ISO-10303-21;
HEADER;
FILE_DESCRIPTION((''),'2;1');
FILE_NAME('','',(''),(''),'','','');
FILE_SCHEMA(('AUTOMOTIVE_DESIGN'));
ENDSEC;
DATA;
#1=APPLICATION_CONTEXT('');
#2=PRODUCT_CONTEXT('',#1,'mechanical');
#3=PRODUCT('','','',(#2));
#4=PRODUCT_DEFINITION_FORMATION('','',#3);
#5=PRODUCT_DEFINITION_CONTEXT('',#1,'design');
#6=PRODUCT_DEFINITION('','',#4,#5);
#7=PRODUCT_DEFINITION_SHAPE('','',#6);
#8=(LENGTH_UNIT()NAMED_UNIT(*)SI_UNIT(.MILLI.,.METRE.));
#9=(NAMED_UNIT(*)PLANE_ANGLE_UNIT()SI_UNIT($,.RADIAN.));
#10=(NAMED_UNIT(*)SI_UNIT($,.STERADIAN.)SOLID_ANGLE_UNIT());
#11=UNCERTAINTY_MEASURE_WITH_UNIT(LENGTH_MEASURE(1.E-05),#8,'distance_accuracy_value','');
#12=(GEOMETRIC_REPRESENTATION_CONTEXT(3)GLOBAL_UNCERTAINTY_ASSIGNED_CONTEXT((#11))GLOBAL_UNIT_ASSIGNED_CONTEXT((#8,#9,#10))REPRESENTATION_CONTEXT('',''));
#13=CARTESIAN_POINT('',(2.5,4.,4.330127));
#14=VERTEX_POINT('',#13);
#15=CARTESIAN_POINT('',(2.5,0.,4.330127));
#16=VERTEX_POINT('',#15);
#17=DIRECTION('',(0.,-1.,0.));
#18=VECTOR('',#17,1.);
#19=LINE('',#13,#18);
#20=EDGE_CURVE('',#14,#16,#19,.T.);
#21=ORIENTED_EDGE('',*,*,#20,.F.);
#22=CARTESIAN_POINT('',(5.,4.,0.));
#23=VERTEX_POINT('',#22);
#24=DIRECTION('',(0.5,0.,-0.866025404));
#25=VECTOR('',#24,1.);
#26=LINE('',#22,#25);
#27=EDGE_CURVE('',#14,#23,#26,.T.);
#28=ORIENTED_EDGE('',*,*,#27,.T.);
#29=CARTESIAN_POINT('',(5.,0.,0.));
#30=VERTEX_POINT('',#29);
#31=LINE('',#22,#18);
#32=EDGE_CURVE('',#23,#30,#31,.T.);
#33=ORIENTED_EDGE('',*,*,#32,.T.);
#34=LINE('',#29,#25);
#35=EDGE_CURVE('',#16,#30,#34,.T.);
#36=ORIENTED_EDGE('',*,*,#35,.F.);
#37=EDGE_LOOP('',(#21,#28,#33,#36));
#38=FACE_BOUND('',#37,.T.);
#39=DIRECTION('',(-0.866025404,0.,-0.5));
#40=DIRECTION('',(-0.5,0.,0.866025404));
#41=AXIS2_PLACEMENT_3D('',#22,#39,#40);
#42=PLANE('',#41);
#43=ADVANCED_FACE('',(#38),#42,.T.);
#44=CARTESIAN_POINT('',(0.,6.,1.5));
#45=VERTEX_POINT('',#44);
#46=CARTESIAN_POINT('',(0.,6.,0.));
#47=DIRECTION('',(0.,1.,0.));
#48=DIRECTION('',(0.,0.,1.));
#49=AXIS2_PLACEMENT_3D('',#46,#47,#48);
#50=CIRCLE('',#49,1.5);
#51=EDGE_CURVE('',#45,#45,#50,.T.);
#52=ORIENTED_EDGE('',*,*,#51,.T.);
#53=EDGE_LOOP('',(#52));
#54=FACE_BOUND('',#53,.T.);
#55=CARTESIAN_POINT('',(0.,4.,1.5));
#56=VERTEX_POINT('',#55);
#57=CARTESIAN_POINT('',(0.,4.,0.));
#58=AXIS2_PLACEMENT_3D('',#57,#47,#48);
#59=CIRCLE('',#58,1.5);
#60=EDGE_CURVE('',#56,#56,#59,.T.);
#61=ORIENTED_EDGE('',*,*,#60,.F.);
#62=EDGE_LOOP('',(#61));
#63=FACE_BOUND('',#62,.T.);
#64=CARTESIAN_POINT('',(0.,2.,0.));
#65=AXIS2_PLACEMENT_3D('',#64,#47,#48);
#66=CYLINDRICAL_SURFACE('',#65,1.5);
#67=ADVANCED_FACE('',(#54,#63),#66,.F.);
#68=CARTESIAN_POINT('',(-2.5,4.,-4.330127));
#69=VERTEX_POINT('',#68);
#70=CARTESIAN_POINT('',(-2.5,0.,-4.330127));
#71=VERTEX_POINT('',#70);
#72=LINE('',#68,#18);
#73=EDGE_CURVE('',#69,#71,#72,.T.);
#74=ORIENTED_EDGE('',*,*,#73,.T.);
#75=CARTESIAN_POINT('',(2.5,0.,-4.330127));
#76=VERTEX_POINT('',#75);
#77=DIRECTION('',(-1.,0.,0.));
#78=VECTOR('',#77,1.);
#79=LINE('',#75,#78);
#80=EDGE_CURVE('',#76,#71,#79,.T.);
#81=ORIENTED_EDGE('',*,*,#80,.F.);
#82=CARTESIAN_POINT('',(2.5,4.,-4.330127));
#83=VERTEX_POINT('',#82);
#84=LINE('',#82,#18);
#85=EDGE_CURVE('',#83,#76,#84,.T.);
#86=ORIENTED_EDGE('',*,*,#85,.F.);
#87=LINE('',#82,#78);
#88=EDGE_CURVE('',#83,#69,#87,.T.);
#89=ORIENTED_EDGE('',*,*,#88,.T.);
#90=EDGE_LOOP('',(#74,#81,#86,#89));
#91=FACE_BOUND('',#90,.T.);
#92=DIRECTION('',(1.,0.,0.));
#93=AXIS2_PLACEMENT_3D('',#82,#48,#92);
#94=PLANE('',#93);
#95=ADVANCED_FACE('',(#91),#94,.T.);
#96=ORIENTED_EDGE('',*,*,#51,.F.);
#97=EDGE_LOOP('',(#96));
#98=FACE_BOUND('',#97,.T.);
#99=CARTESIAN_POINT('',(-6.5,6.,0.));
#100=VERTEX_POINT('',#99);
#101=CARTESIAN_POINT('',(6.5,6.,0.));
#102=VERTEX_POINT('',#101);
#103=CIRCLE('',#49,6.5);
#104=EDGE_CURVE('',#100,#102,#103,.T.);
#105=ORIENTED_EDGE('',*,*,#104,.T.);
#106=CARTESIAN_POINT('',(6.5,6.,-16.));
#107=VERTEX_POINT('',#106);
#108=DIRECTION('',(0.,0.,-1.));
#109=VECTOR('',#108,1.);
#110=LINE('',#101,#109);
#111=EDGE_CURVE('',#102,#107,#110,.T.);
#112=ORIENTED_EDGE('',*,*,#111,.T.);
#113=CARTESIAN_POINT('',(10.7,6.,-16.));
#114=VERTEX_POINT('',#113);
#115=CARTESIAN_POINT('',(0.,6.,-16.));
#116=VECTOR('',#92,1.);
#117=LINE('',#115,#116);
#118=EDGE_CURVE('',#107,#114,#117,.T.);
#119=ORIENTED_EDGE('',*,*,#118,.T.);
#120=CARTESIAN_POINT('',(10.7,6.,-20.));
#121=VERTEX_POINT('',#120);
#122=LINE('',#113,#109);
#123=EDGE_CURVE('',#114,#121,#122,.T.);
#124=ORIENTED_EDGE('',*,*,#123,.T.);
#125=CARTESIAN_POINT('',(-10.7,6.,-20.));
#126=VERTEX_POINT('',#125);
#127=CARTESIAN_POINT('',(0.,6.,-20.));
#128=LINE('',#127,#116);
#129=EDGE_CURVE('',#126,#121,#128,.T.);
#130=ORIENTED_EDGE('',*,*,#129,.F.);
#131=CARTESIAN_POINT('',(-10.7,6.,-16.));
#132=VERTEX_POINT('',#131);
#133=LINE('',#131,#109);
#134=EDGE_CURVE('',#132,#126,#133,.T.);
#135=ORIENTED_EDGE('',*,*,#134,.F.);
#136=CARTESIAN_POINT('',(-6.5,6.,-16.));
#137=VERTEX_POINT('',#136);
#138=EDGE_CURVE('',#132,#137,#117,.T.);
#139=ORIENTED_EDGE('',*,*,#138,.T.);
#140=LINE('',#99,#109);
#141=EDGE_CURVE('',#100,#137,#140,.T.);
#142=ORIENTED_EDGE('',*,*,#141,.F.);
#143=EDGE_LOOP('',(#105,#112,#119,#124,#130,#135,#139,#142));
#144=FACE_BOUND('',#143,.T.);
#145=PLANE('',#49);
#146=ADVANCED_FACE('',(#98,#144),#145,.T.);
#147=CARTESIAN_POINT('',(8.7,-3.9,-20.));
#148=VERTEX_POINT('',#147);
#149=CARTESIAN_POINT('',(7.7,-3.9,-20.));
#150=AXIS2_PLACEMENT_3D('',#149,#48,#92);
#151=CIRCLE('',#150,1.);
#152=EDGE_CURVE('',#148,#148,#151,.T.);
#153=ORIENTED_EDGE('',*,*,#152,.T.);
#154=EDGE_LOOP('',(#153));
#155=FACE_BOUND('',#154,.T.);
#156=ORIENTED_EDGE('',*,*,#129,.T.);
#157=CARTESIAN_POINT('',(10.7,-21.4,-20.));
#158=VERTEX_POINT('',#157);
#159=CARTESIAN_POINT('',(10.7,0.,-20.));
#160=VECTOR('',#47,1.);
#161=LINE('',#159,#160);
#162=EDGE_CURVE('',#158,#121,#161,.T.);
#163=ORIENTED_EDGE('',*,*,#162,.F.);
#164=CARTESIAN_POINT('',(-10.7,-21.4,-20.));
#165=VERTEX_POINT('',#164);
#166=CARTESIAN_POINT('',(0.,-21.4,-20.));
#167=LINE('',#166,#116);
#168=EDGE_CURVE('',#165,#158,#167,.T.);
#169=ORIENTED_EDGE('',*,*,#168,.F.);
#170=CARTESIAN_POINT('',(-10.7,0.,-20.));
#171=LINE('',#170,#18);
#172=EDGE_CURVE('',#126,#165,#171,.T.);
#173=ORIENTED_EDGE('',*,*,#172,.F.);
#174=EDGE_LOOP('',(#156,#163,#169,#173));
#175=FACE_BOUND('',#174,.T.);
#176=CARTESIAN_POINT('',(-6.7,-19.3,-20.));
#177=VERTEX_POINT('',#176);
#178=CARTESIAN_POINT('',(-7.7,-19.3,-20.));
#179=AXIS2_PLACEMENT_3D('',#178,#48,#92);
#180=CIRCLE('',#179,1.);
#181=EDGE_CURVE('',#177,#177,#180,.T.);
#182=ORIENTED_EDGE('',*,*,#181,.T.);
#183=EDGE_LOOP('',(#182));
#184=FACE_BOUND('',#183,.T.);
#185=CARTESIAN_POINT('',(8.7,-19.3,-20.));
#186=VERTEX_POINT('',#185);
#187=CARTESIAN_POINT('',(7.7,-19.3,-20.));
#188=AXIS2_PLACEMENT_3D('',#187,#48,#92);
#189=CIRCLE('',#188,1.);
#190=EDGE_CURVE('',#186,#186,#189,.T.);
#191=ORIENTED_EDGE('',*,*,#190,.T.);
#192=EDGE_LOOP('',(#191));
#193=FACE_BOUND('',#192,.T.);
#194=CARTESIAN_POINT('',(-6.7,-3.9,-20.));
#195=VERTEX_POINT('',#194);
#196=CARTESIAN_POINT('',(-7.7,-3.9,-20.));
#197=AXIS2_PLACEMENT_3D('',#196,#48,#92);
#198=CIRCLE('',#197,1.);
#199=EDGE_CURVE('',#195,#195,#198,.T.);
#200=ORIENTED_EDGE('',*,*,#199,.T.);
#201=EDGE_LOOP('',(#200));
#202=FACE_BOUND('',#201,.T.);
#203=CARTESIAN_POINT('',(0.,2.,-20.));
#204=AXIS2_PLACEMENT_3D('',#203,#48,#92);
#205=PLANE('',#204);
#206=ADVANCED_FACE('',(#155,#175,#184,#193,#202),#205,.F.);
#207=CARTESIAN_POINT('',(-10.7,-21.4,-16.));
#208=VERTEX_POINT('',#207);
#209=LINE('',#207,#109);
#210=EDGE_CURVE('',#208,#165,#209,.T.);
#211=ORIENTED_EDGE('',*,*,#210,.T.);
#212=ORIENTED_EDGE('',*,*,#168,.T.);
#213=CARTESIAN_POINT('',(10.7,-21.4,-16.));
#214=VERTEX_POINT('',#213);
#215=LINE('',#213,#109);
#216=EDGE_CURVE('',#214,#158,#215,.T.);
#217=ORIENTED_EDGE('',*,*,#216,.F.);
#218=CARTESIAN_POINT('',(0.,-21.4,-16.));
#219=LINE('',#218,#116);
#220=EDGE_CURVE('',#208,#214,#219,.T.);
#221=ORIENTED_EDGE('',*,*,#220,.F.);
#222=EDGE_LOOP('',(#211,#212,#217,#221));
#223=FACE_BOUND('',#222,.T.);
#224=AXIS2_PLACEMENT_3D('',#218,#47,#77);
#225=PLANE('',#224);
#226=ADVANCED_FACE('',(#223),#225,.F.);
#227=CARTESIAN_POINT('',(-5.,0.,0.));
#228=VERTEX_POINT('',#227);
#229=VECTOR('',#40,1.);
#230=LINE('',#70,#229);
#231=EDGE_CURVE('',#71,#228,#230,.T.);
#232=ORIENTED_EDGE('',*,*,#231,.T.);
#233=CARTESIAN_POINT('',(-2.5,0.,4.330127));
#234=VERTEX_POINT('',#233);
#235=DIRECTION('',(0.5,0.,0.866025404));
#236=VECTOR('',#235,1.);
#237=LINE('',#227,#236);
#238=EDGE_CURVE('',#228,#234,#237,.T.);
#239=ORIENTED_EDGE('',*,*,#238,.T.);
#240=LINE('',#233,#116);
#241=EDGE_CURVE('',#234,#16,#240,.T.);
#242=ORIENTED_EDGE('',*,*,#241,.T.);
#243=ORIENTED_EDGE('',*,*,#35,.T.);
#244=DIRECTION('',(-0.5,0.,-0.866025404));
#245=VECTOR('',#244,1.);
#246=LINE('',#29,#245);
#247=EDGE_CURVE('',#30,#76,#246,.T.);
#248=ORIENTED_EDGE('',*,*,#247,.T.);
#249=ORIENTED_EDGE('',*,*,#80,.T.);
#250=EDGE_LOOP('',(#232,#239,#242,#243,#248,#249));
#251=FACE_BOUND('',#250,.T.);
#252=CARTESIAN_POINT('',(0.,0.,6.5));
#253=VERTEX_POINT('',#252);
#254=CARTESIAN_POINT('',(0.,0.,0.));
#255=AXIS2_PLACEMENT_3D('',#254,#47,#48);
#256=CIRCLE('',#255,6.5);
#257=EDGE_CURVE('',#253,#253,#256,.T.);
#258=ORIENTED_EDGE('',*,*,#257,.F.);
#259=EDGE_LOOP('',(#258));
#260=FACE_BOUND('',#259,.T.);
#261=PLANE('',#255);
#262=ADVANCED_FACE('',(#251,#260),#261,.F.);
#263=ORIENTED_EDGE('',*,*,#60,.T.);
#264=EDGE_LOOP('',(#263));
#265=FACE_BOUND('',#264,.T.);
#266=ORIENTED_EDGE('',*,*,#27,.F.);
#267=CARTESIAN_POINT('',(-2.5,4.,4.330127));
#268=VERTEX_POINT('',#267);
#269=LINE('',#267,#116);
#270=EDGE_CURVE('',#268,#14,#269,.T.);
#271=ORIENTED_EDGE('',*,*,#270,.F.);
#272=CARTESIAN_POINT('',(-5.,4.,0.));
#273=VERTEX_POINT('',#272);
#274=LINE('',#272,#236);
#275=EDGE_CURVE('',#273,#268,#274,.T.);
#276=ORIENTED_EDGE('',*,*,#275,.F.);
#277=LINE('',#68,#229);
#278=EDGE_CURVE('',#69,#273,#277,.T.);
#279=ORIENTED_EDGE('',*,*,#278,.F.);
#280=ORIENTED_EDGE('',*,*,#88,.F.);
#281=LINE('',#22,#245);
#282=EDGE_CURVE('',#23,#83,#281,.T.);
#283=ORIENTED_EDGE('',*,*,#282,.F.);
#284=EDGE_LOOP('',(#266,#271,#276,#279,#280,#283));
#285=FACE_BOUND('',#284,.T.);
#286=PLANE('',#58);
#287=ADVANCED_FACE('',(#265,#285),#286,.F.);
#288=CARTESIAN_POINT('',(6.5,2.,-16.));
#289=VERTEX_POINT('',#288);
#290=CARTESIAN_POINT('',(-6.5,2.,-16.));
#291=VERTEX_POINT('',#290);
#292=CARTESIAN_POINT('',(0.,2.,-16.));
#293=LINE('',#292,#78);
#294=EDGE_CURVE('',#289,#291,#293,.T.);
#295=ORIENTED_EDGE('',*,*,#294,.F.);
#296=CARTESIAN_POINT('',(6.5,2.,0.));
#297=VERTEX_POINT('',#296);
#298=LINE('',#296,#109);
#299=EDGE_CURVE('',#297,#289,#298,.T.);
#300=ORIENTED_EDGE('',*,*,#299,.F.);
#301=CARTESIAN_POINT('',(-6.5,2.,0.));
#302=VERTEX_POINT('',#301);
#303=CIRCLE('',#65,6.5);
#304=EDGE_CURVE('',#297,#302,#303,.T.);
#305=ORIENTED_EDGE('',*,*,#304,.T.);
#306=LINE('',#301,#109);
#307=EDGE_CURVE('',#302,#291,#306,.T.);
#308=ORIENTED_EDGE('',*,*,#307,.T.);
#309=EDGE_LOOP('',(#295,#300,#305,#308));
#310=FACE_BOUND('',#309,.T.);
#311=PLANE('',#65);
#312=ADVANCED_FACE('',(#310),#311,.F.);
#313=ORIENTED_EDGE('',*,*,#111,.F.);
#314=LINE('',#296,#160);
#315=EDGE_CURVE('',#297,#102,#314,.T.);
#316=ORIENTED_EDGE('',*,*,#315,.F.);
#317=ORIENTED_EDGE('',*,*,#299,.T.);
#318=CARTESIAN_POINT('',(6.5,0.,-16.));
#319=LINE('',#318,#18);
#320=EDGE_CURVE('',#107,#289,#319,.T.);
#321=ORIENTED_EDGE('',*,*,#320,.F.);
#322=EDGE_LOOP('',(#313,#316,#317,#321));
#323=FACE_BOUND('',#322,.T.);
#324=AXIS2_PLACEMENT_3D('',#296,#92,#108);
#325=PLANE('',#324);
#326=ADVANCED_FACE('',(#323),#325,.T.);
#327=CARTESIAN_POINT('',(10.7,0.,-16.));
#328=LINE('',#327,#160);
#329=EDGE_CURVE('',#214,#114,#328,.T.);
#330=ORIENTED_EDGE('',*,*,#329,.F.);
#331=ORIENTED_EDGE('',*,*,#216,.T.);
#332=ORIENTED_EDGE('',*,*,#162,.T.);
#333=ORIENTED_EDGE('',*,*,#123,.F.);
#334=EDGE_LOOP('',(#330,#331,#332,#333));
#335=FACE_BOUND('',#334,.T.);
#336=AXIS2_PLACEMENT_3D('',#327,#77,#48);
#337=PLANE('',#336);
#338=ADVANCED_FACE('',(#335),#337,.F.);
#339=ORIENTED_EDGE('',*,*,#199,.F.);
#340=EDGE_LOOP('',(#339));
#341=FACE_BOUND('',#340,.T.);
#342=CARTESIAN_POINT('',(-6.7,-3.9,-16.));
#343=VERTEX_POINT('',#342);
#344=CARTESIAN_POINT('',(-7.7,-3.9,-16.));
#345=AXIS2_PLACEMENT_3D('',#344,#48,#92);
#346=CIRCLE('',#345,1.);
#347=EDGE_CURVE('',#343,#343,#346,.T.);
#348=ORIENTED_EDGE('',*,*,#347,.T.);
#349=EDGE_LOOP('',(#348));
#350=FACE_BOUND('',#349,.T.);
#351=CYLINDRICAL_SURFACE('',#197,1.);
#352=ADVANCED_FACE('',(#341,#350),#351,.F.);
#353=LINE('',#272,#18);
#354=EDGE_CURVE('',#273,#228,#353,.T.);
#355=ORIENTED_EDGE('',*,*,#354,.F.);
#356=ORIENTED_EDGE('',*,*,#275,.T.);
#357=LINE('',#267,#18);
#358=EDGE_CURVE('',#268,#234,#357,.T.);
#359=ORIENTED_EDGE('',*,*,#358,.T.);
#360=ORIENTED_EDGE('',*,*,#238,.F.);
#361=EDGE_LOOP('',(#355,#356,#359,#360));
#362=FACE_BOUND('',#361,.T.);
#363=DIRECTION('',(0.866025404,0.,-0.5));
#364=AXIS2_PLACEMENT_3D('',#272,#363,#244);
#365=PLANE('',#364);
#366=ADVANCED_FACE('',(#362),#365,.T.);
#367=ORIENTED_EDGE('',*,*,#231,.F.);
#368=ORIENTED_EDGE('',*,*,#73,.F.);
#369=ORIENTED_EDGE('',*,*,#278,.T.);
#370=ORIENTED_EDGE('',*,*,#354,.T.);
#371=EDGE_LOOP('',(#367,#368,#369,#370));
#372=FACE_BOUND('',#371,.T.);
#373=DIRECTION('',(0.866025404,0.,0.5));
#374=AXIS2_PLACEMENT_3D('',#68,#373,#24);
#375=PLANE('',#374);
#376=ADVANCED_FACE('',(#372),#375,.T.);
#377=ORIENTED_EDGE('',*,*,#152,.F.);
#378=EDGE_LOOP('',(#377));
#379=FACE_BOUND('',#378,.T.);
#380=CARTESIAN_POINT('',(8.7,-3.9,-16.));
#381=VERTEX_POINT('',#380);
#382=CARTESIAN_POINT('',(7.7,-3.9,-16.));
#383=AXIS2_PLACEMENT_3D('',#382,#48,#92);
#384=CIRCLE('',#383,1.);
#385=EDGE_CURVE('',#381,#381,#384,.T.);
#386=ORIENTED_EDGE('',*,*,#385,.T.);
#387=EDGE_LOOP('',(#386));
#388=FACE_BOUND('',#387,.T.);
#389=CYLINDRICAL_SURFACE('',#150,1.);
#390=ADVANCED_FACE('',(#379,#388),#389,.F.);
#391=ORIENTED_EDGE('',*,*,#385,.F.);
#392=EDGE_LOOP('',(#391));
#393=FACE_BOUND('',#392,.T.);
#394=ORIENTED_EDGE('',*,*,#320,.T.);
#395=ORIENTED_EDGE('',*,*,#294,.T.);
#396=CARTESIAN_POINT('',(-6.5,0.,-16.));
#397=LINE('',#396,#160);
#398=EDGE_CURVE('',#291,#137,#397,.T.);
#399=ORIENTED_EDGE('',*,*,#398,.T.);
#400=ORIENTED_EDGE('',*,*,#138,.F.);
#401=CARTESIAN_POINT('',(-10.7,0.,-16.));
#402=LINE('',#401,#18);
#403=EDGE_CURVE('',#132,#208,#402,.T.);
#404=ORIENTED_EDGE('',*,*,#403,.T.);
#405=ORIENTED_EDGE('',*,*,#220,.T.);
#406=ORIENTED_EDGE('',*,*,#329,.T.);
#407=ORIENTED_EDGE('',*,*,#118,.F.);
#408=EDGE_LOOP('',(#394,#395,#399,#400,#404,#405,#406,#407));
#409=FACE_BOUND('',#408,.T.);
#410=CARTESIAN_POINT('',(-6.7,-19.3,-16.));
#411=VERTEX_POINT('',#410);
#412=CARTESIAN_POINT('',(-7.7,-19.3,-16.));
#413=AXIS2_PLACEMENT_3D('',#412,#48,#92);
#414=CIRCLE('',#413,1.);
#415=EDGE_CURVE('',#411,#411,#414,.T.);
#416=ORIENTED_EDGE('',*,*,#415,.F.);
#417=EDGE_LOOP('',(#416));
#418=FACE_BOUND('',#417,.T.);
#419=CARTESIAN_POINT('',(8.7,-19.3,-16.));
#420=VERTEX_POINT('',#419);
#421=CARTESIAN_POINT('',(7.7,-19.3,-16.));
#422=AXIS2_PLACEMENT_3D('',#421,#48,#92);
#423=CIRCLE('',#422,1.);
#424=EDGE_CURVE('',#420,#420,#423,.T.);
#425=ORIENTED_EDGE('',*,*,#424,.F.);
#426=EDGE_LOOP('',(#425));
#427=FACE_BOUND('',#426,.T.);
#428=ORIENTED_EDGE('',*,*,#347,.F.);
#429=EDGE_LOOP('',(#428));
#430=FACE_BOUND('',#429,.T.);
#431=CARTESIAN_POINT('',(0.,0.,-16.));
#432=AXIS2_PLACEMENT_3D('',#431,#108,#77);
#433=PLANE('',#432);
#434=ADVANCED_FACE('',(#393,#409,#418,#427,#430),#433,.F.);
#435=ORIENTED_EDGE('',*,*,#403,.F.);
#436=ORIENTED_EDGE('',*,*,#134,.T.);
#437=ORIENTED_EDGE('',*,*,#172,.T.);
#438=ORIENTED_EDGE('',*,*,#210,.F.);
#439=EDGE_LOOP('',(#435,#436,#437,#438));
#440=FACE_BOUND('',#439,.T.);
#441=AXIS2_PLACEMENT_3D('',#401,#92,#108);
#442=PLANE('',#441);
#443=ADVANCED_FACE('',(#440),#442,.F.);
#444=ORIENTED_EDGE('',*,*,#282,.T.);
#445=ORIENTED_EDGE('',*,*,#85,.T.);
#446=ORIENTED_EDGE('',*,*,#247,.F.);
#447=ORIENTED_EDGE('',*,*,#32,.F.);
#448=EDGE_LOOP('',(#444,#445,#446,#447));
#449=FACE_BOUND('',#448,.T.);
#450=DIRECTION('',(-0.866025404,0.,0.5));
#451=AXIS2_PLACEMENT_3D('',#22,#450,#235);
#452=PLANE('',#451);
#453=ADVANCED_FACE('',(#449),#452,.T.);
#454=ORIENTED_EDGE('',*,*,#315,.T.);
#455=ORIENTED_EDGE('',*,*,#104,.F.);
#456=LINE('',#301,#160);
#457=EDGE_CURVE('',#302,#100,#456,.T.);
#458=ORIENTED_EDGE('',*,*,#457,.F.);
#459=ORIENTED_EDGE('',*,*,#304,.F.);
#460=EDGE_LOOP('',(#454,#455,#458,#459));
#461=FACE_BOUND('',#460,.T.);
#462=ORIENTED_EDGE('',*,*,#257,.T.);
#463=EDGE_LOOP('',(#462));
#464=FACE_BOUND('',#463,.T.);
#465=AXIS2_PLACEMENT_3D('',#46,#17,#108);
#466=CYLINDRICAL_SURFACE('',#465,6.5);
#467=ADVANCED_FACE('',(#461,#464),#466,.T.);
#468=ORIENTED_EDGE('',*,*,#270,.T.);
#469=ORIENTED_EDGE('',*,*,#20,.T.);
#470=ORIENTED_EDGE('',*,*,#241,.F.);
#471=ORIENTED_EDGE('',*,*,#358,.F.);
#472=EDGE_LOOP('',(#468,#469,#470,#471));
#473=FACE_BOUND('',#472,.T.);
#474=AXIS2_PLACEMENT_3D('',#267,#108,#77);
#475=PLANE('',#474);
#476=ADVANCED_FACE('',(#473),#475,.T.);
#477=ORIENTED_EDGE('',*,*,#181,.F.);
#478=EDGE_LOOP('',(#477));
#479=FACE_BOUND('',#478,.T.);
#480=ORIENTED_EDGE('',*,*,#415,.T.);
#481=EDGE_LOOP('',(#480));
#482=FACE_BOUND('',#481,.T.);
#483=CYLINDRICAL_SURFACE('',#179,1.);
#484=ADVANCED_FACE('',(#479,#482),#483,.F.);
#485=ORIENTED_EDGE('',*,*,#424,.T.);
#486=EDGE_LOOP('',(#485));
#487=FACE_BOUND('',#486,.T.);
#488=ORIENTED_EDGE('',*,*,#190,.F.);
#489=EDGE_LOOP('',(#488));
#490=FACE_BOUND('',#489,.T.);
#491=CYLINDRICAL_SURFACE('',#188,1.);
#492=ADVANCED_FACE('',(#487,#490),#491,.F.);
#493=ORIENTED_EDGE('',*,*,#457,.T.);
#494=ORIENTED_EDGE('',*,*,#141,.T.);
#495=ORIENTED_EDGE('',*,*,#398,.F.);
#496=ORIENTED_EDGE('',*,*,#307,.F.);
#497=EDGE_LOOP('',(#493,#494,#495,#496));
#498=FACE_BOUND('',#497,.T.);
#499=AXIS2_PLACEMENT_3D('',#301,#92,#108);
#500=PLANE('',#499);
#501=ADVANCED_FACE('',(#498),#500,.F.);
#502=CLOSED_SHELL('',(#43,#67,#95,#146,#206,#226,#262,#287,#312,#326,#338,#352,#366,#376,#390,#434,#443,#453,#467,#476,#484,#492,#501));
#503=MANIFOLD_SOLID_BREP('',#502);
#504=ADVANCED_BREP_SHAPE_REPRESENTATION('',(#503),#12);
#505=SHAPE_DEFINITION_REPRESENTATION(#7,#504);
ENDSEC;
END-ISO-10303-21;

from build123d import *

# Parameters (mm, degrees)
SKETCH_2_R           = 6.5
EXTRUDE_1_DEPTH      = 6
CUT_EXTRUDE_1_DEPTH  = 4
SKETCH_3_R           = 1.5
CUT_EXTRUDE_2_DEPTH  = 4
EXTRUDE_START        = -4
EXTRUDE_2_DEPTH      = 4
EXTRUDE_6_DEPTH      = 4
SKETCH_17_R          = 1
CUT_EXTRUDE_11_DEPTH = 4


with BuildPart() as part:
    # 草图2 → 凸台-拉伸1 (new body)
    with BuildSketch(Plane(origin=(0, 0, 0), x_dir=(1, 0, 0), z_dir=(0, 1, 0))):
        with Locations(Location((0, 0, 0), (0, 0, 270))):
            Circle(SKETCH_2_R)
    extrude(amount=EXTRUDE_1_DEPTH)

    # 草图1 → 切除-拉伸1 (cut)
    with BuildSketch(Plane(origin=(0, 0, 0), x_dir=(1, 0, 0), z_dir=(0, 1, 0))):
        Polygon((5, 0), (2.5, 4.330127019), (-2.5, 4.330127019), (-5, 0), (-2.5, -4.330127019), (2.5, -4.330127019), align=None)
    extrude(amount=CUT_EXTRUDE_1_DEPTH, mode=Mode.SUBTRACT)

    # 草图3 → 切除-拉伸2 (cut)
    with BuildSketch(Plane(origin=(0, 6, 0), x_dir=(1, 0, 0), z_dir=(0, 1, 0))):
        with Locations(Location((0, 0, 0), (0, 0, 270))):
            Circle(SKETCH_3_R)
    extrude(amount=-CUT_EXTRUDE_2_DEPTH, mode=Mode.SUBTRACT)

    # 草图4 → 凸台-拉伸2 (add)
    with BuildSketch(Plane(origin=(0, 6, 0), x_dir=(1, 0, 0), z_dir=(0, 1, 0)).offset(EXTRUDE_START)):
        with BuildLine():
            Line((6.5, 0), (6.5, 20))
            Line((6.5, 20), (4, 20))
            Line((4, 20), (-4, 20))
            Line((-4, 20), (-6.5, 20))
            Line((-6.5, 20), (-6.5, 0))
            ThreePointArc((-6.5, 0), (0, 6.5), (6.5, 0))
        make_face()
    extrude(amount=EXTRUDE_2_DEPTH)

    # 草图6 → 凸台-拉伸6 (add)
    with BuildSketch(Plane(origin=(0, 0, -20), x_dir=(-1, 0, 0), z_dir=(0, 0, -1))):
        Polygon((10.7, -14.240758791), (10.7, 6), (-10.7, 6), (-10.7, -21.4), (10.7, -21.4), align=None)
    extrude(amount=-EXTRUDE_6_DEPTH)

    # 草图17 → 切除-拉伸11 (cut)
    with BuildSketch(Plane.XY.offset(-16)):
        with Locations((-7.7, -19.3)):
            Circle(SKETCH_17_R)
        with Locations((7.7, -19.3)):
            Circle(SKETCH_17_R)
        with Locations((7.7, -3.9)):
            Circle(SKETCH_17_R)
        with Locations((-7.7, -3.9)):
            Circle(SKETCH_17_R)
    extrude(amount=-CUT_EXTRUDE_11_DEPTH, mode=Mode.SUBTRACT)


solid = part.part
